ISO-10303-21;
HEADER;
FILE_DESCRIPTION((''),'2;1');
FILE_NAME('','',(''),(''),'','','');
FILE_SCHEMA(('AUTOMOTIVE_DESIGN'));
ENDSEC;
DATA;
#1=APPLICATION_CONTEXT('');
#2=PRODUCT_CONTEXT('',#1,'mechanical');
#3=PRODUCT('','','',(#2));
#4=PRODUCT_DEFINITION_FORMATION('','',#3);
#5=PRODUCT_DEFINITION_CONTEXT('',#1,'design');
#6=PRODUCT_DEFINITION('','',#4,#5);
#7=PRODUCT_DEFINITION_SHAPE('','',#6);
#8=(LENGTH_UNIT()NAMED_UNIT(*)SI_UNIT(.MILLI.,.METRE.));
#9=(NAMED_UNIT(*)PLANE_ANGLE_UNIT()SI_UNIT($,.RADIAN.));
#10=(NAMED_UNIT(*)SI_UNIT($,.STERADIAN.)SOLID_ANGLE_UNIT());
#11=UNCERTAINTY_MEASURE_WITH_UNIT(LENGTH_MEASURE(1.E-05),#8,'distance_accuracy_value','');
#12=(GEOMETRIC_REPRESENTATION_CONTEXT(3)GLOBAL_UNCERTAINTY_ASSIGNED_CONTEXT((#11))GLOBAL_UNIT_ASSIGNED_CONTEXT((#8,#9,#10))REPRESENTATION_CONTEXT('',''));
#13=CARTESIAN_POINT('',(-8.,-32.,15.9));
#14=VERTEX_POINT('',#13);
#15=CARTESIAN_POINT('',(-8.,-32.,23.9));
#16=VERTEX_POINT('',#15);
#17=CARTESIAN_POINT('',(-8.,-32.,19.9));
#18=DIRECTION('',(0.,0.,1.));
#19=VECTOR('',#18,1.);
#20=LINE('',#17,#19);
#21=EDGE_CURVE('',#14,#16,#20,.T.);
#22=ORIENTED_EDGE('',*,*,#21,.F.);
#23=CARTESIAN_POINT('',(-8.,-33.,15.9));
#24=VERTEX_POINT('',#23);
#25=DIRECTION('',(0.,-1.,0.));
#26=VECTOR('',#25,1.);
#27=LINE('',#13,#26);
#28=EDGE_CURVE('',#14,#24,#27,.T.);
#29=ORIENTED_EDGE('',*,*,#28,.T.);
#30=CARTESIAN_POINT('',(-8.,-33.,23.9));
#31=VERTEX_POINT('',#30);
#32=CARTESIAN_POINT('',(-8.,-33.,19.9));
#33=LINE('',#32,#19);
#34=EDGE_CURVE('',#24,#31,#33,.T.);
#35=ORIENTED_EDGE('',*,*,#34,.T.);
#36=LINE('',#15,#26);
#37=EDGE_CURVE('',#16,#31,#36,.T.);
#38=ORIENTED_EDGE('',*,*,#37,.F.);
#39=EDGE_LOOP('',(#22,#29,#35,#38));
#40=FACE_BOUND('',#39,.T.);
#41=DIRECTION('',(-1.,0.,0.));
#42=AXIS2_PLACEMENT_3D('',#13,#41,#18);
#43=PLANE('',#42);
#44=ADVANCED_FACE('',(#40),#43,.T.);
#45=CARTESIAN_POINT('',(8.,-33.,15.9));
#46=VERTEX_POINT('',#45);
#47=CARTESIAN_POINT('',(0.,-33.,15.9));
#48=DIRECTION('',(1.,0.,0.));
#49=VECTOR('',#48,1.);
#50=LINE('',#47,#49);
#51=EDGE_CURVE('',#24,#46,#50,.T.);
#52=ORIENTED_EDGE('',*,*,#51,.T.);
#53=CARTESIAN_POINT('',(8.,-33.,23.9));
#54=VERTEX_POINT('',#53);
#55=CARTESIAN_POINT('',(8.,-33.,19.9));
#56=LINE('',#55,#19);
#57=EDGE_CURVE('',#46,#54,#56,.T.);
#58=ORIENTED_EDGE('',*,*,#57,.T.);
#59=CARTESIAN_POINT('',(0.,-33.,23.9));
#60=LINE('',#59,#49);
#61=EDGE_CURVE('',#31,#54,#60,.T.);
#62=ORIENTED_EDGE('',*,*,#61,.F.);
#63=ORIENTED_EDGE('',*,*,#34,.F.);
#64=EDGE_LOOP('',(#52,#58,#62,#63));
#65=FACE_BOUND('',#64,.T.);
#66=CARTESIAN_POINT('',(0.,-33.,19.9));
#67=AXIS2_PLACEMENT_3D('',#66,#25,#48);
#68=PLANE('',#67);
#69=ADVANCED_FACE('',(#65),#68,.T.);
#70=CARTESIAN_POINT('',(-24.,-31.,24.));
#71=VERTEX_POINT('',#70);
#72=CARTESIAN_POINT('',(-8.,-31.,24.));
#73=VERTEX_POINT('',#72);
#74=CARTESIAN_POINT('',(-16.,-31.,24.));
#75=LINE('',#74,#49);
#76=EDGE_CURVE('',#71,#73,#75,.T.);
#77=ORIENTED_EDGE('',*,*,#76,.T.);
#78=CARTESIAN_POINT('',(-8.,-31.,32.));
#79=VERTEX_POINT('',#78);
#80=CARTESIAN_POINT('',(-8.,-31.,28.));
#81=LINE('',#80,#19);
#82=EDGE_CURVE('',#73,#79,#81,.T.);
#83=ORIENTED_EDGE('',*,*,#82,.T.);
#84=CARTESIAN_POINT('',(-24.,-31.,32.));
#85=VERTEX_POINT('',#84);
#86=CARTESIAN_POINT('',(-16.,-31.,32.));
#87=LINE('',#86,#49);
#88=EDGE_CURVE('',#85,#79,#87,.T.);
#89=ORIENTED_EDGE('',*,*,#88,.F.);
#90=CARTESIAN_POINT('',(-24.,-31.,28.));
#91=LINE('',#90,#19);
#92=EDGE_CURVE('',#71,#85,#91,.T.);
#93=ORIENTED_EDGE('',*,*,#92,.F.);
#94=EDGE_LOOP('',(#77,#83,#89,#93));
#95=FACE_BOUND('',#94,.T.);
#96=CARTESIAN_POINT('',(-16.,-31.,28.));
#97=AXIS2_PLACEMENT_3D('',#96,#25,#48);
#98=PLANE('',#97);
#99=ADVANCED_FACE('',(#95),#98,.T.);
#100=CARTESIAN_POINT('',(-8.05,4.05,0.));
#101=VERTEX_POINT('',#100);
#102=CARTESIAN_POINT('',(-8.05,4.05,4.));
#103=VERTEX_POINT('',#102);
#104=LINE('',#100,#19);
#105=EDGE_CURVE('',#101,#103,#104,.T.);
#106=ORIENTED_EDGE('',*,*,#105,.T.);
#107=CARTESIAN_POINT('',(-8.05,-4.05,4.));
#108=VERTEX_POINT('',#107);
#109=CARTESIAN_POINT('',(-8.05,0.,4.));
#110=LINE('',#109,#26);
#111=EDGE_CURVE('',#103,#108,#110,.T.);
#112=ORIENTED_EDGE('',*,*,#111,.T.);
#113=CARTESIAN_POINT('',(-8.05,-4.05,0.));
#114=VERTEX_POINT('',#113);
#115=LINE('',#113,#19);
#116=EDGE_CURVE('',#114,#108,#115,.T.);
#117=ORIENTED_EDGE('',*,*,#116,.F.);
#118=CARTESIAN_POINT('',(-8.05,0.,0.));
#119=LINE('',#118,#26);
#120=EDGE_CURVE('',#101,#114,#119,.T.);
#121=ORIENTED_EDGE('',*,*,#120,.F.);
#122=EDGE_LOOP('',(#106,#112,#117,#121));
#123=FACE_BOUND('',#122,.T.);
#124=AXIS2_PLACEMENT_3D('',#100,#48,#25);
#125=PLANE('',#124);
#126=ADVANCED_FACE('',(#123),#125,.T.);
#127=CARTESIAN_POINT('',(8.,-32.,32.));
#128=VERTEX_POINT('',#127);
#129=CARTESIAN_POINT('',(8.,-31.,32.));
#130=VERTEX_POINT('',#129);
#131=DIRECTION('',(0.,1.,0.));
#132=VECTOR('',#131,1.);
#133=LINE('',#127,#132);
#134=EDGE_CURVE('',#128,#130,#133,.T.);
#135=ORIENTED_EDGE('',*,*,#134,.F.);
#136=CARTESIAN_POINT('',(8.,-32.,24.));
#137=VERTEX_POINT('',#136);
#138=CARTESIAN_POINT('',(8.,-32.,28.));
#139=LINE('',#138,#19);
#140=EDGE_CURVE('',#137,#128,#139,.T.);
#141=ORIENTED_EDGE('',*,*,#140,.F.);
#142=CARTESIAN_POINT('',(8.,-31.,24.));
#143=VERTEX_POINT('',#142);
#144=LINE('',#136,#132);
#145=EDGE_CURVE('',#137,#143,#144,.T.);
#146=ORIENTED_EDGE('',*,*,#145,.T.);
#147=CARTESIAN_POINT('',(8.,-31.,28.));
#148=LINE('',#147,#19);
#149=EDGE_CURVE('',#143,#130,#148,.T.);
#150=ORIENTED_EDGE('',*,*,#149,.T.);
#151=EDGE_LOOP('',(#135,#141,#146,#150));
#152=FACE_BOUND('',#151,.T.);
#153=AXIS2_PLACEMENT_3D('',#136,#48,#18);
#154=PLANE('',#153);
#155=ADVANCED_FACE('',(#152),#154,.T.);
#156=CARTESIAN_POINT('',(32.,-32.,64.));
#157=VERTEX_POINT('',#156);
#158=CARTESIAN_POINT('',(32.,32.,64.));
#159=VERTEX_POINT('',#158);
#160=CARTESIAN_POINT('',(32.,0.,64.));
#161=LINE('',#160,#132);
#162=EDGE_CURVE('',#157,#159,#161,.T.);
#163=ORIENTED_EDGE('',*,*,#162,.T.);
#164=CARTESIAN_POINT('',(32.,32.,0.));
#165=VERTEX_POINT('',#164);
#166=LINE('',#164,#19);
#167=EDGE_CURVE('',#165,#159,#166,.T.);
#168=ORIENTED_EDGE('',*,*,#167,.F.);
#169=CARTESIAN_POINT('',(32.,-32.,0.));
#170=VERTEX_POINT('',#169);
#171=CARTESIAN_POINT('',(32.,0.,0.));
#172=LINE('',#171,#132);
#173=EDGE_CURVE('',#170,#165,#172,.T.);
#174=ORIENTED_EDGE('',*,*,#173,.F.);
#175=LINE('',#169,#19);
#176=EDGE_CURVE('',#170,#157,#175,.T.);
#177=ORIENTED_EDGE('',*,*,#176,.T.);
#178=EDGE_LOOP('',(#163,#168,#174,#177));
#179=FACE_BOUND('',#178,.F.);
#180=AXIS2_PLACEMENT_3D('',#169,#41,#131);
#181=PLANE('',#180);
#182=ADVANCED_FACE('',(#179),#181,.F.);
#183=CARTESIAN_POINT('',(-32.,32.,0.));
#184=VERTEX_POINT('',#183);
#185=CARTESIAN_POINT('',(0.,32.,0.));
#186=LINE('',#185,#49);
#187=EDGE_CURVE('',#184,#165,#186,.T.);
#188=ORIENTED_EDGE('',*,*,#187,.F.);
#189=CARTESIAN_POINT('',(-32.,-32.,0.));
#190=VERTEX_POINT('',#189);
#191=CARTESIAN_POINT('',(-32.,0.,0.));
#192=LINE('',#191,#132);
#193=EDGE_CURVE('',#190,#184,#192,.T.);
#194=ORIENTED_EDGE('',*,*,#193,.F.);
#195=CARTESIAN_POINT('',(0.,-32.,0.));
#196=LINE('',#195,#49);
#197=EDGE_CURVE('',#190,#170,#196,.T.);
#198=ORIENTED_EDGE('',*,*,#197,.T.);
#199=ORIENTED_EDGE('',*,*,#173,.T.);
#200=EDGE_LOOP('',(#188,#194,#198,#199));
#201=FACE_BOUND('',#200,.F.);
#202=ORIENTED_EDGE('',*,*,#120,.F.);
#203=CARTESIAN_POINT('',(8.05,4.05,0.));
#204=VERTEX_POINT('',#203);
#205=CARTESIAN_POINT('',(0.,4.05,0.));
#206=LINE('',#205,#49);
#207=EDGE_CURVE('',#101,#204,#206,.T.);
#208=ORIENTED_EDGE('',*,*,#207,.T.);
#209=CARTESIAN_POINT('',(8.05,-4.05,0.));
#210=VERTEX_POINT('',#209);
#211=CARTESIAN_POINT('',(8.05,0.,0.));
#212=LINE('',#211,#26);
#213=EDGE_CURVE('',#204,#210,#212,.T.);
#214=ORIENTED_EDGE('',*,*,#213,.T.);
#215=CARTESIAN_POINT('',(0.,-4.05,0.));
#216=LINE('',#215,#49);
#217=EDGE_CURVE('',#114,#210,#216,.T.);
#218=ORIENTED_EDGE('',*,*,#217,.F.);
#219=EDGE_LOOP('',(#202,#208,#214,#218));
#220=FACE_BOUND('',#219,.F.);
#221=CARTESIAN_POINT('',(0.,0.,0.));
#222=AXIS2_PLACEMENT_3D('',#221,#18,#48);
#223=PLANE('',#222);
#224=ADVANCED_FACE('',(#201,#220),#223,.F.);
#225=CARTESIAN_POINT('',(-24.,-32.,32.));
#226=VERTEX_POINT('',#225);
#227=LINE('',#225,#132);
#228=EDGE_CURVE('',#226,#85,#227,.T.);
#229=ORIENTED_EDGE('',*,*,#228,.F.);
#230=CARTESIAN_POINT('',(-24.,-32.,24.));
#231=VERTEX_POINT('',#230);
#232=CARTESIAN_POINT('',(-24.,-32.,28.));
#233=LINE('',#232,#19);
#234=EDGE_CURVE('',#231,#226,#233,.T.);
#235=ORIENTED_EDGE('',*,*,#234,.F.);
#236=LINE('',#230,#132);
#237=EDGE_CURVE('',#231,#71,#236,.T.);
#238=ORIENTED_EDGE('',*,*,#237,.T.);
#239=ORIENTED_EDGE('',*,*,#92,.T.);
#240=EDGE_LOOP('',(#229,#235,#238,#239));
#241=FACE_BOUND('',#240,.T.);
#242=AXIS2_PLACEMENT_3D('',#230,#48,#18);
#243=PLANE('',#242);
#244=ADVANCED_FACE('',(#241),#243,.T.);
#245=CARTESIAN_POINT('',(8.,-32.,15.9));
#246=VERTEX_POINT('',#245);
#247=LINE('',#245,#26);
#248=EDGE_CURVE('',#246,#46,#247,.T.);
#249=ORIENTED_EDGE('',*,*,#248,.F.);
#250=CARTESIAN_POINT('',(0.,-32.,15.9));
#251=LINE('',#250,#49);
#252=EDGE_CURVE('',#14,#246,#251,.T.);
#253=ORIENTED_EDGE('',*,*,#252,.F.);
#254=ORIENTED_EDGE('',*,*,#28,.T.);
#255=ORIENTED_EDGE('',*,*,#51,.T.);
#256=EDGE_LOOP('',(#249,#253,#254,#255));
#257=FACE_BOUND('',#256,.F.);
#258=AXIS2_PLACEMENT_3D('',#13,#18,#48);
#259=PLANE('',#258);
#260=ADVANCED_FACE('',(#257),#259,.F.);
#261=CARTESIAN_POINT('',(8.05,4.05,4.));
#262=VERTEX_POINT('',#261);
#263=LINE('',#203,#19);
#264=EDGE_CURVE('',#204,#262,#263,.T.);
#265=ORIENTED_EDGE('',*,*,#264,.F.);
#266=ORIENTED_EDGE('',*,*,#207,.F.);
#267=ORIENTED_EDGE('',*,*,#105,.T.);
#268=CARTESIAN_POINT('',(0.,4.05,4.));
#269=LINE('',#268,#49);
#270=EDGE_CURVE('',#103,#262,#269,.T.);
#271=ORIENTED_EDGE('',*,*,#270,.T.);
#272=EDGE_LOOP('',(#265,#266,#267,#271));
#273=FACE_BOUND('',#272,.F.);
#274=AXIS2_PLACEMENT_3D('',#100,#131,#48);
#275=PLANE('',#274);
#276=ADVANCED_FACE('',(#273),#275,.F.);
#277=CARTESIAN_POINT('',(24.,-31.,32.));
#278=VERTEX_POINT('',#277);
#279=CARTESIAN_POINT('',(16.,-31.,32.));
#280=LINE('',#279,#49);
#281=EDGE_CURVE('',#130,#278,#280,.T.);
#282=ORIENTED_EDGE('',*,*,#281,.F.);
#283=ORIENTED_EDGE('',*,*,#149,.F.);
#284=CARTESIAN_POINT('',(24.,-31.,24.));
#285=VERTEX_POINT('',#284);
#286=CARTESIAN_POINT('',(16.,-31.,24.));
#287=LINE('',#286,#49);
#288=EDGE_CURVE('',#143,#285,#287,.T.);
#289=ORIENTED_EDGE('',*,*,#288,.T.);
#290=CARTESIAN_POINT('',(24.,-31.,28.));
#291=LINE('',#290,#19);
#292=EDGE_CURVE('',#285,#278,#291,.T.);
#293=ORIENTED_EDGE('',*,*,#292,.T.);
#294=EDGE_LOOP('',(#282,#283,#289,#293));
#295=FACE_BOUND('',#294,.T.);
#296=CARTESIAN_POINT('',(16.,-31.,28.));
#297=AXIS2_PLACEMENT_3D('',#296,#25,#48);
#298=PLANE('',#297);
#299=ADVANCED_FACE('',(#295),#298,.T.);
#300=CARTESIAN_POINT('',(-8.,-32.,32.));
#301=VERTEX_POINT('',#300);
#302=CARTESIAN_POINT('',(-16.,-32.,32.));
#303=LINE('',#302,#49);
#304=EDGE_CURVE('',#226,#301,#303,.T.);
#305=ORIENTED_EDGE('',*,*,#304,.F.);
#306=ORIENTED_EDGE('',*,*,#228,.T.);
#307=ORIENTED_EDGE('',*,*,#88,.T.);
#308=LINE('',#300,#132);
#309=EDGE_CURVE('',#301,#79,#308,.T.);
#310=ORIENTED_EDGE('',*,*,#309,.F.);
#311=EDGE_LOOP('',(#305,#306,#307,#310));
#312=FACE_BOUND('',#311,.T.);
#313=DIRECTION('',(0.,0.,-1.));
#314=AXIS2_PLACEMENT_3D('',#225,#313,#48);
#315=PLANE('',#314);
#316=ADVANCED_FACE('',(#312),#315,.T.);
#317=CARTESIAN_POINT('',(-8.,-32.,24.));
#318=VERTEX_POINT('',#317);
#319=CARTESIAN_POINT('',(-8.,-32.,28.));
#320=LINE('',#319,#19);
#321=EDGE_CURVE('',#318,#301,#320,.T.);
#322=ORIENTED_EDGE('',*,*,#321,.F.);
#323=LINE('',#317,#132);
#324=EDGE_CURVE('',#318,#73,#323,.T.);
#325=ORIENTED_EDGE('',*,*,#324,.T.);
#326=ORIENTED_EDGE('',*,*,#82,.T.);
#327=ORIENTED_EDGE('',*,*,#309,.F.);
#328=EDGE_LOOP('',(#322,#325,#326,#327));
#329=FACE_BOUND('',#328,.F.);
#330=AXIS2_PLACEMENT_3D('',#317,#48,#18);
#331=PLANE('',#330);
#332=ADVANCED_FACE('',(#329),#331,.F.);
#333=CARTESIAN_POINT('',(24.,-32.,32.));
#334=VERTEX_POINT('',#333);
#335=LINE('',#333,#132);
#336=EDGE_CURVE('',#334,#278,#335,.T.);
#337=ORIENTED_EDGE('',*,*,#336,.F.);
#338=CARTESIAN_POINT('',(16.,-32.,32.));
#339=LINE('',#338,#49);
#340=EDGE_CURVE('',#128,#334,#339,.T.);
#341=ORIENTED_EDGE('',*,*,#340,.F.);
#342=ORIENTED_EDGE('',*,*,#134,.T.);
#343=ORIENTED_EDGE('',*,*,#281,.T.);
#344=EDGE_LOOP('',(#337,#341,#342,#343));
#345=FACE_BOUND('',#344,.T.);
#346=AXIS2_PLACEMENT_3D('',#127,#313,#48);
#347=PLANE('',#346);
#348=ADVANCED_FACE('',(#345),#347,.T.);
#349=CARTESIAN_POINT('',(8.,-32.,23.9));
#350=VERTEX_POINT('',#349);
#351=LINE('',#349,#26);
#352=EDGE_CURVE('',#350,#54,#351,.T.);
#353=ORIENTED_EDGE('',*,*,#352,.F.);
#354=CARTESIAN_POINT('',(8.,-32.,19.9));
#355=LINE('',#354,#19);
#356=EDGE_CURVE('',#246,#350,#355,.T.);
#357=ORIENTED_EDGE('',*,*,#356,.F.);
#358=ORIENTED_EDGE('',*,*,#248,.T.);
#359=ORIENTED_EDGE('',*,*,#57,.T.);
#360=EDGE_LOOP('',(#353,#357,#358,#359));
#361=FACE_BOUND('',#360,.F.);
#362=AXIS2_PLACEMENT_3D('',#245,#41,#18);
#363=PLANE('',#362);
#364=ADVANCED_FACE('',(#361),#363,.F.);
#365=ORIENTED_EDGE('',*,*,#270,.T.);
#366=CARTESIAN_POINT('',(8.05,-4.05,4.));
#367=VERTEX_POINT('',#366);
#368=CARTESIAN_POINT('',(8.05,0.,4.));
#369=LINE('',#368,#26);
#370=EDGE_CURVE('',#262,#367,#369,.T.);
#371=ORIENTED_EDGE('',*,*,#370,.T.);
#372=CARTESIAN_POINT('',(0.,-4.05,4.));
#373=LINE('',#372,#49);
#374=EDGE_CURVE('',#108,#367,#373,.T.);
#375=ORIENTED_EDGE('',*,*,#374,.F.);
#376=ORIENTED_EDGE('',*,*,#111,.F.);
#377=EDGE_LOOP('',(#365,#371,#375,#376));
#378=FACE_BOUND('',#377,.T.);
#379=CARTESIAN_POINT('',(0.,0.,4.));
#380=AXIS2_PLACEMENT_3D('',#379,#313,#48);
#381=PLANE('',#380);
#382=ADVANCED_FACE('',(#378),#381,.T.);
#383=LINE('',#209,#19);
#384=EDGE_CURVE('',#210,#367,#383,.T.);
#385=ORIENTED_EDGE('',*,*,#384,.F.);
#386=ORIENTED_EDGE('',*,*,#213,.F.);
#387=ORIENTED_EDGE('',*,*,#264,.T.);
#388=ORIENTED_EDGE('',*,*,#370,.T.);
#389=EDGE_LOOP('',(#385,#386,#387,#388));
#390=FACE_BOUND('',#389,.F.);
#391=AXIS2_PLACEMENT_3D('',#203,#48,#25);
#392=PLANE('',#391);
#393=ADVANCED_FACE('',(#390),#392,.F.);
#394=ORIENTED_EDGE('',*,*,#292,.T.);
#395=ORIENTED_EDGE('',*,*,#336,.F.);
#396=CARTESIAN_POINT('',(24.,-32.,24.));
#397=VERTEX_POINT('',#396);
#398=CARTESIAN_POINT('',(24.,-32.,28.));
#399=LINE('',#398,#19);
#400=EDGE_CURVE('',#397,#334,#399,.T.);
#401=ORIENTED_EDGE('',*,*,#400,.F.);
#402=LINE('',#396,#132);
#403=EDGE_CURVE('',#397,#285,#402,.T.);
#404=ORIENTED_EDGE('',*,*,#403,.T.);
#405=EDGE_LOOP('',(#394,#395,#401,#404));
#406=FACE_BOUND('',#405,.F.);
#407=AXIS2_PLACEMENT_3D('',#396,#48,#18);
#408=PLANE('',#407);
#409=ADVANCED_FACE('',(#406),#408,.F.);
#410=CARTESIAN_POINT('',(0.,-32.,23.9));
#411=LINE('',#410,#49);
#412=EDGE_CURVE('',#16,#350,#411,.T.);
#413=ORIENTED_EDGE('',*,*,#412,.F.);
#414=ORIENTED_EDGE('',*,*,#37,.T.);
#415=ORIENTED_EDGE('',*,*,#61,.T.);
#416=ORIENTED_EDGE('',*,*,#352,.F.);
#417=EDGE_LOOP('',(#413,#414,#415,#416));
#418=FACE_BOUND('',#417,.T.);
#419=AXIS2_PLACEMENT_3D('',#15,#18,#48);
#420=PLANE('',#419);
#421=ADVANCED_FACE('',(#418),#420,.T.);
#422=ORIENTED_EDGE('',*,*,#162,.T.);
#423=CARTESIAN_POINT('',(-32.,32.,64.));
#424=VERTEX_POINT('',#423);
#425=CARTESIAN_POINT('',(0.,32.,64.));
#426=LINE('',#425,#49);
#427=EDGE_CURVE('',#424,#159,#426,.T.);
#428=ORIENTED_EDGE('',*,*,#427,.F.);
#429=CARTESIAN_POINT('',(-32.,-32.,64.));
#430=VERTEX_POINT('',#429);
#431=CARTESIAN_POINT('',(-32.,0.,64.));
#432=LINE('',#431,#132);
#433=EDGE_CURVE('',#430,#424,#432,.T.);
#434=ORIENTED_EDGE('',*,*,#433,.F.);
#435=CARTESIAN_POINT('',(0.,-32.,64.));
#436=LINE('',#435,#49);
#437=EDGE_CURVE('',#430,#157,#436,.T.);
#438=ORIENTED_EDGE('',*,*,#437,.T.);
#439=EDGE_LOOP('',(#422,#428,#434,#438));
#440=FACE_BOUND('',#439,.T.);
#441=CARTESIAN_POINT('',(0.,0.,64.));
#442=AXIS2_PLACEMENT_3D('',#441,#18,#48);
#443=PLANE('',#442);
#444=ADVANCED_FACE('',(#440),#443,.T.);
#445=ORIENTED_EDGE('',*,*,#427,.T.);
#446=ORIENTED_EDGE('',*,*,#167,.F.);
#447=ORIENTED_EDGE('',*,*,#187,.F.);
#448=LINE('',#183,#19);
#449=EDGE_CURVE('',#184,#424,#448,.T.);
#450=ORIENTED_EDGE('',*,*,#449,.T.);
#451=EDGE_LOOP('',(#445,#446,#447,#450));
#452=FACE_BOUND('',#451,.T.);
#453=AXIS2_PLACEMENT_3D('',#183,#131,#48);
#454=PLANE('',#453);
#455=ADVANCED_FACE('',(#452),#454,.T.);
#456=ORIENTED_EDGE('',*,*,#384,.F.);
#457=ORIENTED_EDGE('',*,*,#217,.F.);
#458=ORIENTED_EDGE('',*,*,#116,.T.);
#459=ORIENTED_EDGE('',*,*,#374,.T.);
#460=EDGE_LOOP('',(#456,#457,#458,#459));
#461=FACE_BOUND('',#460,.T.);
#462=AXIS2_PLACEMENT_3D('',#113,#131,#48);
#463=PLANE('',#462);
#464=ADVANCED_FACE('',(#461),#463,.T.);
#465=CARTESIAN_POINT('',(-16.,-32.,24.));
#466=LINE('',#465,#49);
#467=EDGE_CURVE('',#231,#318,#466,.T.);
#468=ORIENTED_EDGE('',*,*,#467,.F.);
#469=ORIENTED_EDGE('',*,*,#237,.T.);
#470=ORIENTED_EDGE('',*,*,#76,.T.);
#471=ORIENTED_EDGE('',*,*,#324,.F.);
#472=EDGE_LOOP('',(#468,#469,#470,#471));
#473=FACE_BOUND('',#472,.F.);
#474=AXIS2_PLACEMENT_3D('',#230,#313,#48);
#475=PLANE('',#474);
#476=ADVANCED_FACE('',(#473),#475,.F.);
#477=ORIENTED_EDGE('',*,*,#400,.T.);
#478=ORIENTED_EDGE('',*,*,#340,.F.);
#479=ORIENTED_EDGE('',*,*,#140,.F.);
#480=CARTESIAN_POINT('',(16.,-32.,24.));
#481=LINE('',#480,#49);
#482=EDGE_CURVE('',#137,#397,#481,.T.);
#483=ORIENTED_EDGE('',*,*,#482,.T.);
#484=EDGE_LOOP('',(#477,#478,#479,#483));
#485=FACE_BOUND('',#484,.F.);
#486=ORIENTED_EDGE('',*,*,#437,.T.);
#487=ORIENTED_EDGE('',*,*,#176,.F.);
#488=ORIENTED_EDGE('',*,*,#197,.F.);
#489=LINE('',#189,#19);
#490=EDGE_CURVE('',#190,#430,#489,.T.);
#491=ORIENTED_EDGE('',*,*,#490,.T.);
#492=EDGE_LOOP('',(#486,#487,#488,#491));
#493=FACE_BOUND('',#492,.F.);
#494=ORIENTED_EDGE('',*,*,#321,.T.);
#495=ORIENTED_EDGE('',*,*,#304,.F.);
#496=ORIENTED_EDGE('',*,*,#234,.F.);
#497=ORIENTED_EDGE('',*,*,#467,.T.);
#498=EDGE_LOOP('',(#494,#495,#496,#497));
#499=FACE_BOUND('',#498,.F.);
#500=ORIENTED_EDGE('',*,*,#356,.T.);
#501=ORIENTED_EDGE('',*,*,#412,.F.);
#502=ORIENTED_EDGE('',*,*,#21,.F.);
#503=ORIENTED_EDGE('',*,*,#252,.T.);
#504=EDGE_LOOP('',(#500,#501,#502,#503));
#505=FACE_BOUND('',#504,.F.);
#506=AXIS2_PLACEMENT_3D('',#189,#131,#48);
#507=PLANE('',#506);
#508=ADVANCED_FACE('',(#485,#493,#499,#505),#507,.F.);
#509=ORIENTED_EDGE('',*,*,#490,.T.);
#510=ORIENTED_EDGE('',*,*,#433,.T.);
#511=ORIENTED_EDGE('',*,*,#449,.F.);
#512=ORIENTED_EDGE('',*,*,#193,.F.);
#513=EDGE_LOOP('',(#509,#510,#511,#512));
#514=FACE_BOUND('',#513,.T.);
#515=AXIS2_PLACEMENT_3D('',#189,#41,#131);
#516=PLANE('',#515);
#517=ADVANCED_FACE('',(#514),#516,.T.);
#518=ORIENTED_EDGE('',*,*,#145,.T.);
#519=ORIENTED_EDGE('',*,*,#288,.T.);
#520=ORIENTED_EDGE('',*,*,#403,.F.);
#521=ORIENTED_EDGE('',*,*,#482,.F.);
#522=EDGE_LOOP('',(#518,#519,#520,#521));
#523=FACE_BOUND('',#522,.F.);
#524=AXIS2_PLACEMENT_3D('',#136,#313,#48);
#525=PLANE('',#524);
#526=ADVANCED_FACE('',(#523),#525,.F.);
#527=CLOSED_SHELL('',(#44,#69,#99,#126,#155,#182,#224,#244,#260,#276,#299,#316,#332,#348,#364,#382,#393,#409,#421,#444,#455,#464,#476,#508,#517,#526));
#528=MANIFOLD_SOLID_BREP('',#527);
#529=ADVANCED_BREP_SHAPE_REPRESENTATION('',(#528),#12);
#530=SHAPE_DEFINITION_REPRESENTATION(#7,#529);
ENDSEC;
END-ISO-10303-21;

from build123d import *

# Parameters (mm, degrees)
F0_W     = 64
F0_H     = 64
F1_DEPTH = 64
F2_W     = 16
F2_H     = 8
F3_DEPTH = 1
F4_DEPTH = 1
F5_W     = 16.1
F5_H     = 8.1
F6_DEPTH = 4


with BuildPart() as f1:
    # F0 (on Top) → F1 (new body)
    with BuildSketch(Plane.XY):
        Rectangle(F0_W, F0_H)
    extrude(amount=F1_DEPTH)

    # F2 (on face) → F3 (join)
    with BuildSketch(Plane.XZ.offset(32)):
        with Locations((0, 19.9)):
            Rectangle(F2_W, F2_H)
    extrude(amount=F3_DEPTH)

    # F2 (on face) → F4 (cut)
    with BuildSketch(Plane.XZ.offset(32)):
        with Locations((-16, 28)):
            Rectangle(F2_W, F2_H)
        with Locations((16, 28)):
            Rectangle(F2_W, F2_H)
    extrude(amount=-F4_DEPTH, mode=Mode.SUBTRACT)

    # F5 (on face) → F6 (cut)
    with BuildSketch(Plane(origin=(0, 0, 0), x_dir=(1, 0, 0), z_dir=(0, 0, -1))):
        Rectangle(F5_W, F5_H)
    extrude(amount=-F6_DEPTH, mode=Mode.SUBTRACT)


solid = f1.part
